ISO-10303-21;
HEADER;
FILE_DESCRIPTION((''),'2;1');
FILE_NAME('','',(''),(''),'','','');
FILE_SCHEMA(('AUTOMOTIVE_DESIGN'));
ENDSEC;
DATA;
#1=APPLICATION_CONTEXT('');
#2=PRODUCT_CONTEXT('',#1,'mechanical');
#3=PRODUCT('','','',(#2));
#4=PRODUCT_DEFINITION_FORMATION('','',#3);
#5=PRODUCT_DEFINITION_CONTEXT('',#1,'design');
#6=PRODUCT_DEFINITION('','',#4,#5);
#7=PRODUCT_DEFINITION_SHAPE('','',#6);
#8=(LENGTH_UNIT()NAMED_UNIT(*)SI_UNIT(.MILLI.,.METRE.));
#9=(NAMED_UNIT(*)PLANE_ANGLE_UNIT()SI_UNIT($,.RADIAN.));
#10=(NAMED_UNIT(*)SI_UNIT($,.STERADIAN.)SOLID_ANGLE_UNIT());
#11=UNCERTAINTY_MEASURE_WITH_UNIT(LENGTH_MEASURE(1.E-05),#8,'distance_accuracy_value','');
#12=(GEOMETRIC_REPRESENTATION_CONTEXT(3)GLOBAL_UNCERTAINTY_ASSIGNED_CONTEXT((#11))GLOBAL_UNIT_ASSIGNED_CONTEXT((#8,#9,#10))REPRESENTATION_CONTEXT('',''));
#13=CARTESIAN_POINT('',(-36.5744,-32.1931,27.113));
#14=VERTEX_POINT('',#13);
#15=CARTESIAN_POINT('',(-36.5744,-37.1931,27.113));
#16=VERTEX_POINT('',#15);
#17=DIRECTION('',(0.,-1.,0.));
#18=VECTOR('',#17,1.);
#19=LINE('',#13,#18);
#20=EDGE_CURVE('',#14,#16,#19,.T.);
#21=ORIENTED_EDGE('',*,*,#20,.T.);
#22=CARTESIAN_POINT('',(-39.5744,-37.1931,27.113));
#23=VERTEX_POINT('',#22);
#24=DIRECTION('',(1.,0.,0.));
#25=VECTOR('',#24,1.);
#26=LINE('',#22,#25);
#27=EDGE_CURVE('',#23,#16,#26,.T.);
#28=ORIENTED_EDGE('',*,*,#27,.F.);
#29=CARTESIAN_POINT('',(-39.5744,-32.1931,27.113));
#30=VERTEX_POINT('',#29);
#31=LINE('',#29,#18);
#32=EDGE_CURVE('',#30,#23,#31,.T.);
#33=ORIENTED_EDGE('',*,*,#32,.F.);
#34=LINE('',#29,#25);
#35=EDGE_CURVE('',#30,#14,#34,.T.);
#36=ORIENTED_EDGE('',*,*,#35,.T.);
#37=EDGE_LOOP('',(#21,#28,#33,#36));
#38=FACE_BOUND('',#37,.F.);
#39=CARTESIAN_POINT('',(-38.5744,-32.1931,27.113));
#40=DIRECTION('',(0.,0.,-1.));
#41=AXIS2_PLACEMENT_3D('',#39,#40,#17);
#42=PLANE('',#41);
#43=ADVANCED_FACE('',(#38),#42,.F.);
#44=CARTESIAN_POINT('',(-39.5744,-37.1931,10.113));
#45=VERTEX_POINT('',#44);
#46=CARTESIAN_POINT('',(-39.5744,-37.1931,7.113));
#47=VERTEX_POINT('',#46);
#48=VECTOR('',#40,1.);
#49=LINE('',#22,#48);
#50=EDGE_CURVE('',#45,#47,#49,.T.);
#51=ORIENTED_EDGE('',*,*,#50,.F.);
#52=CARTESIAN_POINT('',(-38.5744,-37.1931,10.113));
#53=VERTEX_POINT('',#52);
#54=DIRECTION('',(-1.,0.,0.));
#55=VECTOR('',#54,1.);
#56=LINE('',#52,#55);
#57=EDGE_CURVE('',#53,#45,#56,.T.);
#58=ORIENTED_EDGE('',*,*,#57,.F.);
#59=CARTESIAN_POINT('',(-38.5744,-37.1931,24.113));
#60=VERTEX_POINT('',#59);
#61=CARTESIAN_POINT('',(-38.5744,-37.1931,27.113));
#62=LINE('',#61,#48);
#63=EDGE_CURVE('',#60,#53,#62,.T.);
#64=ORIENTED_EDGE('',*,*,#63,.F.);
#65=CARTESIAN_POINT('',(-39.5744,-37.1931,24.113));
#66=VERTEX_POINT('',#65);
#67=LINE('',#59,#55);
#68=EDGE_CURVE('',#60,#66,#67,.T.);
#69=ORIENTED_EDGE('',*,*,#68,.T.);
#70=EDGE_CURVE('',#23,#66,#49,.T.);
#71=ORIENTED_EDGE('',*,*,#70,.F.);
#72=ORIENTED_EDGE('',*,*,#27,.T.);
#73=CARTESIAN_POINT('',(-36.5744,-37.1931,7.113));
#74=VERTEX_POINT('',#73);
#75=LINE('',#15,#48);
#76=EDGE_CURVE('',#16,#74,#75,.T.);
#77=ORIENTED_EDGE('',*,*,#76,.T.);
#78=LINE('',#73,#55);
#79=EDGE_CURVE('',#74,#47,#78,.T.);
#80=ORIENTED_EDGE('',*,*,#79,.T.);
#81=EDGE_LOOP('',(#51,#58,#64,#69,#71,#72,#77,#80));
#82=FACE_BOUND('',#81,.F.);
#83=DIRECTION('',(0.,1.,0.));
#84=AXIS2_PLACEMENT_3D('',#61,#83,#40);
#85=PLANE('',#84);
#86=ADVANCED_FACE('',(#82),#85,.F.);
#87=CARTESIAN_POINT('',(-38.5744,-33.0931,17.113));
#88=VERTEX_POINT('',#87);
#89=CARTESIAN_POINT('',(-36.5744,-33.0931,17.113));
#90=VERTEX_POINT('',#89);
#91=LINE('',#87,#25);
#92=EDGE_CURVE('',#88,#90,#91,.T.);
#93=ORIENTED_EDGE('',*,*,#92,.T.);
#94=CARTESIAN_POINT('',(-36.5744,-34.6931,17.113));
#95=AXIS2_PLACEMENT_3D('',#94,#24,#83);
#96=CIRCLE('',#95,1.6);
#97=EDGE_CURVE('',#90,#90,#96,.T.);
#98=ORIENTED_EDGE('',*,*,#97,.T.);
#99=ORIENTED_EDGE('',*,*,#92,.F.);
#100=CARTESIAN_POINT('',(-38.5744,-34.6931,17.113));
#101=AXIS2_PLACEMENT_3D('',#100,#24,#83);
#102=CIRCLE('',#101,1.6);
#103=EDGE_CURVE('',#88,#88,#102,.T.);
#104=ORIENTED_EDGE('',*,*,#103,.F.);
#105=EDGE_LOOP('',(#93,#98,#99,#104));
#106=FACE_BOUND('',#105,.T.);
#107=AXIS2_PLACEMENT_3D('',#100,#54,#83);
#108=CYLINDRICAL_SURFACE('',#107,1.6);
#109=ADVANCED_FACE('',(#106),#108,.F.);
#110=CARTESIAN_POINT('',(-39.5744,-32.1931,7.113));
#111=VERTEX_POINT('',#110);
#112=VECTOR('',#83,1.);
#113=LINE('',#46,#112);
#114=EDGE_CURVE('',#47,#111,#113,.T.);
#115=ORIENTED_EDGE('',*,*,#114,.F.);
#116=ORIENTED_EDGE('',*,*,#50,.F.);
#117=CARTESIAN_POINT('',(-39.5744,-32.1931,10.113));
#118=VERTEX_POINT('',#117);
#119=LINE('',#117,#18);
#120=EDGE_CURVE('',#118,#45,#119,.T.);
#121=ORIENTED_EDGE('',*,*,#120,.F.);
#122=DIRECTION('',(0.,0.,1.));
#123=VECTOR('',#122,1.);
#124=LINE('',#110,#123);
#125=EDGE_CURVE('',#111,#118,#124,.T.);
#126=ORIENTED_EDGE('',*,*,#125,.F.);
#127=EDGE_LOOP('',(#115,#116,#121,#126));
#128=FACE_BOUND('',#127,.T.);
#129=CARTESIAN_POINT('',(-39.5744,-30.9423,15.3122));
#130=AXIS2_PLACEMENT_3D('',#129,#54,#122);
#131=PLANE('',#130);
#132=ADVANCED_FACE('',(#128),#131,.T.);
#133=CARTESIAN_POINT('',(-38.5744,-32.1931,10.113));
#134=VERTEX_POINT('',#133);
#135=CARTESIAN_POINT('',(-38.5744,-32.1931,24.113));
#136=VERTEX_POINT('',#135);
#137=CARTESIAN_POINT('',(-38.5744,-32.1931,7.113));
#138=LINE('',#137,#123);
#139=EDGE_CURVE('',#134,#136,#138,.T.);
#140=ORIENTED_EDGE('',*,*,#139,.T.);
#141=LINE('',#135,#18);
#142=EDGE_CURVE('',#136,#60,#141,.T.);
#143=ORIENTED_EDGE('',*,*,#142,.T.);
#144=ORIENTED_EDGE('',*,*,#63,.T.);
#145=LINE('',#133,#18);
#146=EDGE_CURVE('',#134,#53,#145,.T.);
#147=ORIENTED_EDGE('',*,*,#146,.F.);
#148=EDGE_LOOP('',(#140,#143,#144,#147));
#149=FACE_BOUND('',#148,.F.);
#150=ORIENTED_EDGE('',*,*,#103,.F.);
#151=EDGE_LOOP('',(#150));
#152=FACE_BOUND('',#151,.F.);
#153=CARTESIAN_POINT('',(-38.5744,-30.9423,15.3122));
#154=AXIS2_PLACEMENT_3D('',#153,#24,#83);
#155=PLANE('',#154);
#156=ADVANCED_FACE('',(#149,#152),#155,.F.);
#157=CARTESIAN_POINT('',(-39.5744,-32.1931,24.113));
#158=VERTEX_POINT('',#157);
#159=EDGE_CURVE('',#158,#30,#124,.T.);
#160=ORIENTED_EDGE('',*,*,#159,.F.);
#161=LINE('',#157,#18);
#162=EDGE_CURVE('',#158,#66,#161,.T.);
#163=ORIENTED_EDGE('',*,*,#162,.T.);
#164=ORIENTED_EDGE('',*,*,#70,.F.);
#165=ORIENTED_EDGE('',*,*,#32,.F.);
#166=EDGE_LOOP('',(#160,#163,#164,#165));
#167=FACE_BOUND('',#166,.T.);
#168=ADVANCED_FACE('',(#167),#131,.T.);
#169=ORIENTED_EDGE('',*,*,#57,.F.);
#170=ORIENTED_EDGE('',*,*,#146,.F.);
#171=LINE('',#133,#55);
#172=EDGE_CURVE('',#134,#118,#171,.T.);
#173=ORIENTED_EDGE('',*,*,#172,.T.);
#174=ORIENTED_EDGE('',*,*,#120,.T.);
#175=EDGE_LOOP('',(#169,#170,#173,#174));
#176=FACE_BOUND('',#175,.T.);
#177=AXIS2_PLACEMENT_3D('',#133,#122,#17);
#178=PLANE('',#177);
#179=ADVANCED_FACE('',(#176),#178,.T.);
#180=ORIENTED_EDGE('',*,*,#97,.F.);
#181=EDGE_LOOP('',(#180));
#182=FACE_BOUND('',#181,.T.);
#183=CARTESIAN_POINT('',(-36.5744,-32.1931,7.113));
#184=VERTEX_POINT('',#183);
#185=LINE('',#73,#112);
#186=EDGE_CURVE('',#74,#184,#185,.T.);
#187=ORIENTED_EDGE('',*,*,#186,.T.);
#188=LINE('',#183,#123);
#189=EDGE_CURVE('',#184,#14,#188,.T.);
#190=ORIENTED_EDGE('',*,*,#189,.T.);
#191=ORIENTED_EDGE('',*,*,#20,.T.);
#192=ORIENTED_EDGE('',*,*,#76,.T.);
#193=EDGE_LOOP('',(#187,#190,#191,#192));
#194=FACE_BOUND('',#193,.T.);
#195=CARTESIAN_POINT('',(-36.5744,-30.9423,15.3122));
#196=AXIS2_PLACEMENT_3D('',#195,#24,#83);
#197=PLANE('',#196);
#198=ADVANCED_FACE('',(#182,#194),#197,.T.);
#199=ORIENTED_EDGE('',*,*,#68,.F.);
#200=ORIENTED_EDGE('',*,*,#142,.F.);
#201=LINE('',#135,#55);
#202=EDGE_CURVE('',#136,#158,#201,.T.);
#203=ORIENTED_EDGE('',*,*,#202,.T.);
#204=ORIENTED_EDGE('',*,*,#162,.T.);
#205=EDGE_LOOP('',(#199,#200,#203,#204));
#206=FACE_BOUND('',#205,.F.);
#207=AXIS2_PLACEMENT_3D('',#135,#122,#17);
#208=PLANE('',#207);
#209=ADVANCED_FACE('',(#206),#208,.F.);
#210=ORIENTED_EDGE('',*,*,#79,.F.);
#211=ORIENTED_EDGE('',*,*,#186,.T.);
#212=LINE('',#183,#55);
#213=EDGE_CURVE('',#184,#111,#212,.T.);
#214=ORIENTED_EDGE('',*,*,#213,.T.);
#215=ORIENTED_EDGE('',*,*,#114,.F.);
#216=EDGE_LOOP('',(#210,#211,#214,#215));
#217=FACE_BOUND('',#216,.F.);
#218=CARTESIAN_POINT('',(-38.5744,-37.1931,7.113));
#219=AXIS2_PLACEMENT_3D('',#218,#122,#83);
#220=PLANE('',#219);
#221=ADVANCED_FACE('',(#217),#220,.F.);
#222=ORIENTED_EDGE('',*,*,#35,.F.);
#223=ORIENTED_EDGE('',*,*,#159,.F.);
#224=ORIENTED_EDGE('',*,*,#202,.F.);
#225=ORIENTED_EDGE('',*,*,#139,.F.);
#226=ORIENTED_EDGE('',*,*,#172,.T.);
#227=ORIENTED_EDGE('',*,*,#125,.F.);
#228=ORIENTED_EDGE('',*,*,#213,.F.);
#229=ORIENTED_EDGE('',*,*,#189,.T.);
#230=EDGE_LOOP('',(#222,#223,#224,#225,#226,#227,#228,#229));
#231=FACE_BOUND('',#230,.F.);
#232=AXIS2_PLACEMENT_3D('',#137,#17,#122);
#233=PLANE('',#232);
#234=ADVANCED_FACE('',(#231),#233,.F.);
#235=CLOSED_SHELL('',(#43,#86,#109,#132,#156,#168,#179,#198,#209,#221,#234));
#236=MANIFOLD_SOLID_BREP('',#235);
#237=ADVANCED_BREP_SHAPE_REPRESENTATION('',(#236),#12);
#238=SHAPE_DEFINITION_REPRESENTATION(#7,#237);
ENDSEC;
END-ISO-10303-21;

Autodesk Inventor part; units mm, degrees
ref_plane "YZ Plane" through (0, 0, 0) normal (1, 0, 0) x (0, 1, 0)
ref_plane "XZ Plane" through (0, 0, 0) normal (0, 1, 0) x (-1, 0, 0)
ref_plane "XY Plane" through (0, 0, 0) normal (0, 0, 1) x (1, 0, 0)
ref_plane "Arbeitsebene1" through (-38.5744, -30.9423, 15.3122) normal (1, 0, 0) x (0, 1, 0)
sketch "Skizze1" plane through (-38.5744, -30.9423, 15.3122) normal (1, 0, 0) x (0, 1, 0)
  circle A0 centre (-3.7508, 1.8008) radius 1.4 projected
  line L0 (-1.2508, 11.8008) -> (-6.2508, 11.8008)
  line L1 (-6.2508, 11.8008) -> (-6.2508, -8.1992)
  line L2 (-6.2508, -8.1992) -> (-1.2508, -8.1992)
  line L3 (-1.2508, -8.1992) -> (-1.2508, 11.8008)
  line L4 (-1.2508, 11.8008) -> (-6.2508, -8.1992) construction
  line L5 (-6.2508, 11.8008) -> (-1.2508, -8.1992) construction
  circle A1 centre (-3.7508, 1.8008) radius 1.6
  point P0 (30.9423, -15.3122)
  dimension "d0" = 5
  dimension "d1" = 20
  dimension "d4" = 0.2
extrude "Extrusion1" add sketch "Skizze1" along normal blind 2 contours L3 L2 L1 L0
sketch "Skizze2" plane through (-38.5744, -30.9423, 15.3122) normal (-1, 0, 0) x (0, 0, 1)
  circle A0 centre (1.8008, -3.7508) radius 1.6 projected
  line L0 (11.8008, -1.2508) -> (11.8008, -6.2508) projected
  line L1 (11.8008, -6.2508) -> (-8.1992, -6.2508) projected
  line L2 (-8.1992, -6.2508) -> (-8.1992, -1.2508) projected
  line L3 (-8.1992, -1.2508) -> (11.8008, -1.2508) projected
  line L4 (-8.1992, -6.2508) -> (-8.1992, -1.2508) projected
  line L5 (11.8008, -6.2508) -> (-8.1992, -6.2508) projected
  line L6 (-8.1992, -1.2508) -> (-5.1992, -1.2508)
  line L7 (-5.1992, -1.2508) -> (-5.1992, -6.2508)
  line L8 (-5.1992, -6.2508) -> (-8.1992, -6.2508)
  line L9 (-8.1992, -6.2508) -> (-8.1992, -1.2508)
  line L10 (-8.1992, -1.2508) -> (11.8008, -1.2508) projected
  line L11 (11.8008, -1.2508) -> (8.8008, -1.2508)
  line L12 (8.8008, -1.2508) -> (8.8008, -6.2508)
  line L13 (8.8008, -6.2508) -> (11.8008, -6.2508)
  line L14 (11.8008, -6.2508) -> (11.8008, -1.2508)
  point P0 (-15.3122, 30.9423)
  dimension "d5" = 3
  dimension "d6" = 3
extrude "Extrusion2" add sketch "Skizze2" along normal blind 1 contours L0 L1 L12 L3 | L7 L1 L2 L3
properties part number "03_Camera_Clip"
